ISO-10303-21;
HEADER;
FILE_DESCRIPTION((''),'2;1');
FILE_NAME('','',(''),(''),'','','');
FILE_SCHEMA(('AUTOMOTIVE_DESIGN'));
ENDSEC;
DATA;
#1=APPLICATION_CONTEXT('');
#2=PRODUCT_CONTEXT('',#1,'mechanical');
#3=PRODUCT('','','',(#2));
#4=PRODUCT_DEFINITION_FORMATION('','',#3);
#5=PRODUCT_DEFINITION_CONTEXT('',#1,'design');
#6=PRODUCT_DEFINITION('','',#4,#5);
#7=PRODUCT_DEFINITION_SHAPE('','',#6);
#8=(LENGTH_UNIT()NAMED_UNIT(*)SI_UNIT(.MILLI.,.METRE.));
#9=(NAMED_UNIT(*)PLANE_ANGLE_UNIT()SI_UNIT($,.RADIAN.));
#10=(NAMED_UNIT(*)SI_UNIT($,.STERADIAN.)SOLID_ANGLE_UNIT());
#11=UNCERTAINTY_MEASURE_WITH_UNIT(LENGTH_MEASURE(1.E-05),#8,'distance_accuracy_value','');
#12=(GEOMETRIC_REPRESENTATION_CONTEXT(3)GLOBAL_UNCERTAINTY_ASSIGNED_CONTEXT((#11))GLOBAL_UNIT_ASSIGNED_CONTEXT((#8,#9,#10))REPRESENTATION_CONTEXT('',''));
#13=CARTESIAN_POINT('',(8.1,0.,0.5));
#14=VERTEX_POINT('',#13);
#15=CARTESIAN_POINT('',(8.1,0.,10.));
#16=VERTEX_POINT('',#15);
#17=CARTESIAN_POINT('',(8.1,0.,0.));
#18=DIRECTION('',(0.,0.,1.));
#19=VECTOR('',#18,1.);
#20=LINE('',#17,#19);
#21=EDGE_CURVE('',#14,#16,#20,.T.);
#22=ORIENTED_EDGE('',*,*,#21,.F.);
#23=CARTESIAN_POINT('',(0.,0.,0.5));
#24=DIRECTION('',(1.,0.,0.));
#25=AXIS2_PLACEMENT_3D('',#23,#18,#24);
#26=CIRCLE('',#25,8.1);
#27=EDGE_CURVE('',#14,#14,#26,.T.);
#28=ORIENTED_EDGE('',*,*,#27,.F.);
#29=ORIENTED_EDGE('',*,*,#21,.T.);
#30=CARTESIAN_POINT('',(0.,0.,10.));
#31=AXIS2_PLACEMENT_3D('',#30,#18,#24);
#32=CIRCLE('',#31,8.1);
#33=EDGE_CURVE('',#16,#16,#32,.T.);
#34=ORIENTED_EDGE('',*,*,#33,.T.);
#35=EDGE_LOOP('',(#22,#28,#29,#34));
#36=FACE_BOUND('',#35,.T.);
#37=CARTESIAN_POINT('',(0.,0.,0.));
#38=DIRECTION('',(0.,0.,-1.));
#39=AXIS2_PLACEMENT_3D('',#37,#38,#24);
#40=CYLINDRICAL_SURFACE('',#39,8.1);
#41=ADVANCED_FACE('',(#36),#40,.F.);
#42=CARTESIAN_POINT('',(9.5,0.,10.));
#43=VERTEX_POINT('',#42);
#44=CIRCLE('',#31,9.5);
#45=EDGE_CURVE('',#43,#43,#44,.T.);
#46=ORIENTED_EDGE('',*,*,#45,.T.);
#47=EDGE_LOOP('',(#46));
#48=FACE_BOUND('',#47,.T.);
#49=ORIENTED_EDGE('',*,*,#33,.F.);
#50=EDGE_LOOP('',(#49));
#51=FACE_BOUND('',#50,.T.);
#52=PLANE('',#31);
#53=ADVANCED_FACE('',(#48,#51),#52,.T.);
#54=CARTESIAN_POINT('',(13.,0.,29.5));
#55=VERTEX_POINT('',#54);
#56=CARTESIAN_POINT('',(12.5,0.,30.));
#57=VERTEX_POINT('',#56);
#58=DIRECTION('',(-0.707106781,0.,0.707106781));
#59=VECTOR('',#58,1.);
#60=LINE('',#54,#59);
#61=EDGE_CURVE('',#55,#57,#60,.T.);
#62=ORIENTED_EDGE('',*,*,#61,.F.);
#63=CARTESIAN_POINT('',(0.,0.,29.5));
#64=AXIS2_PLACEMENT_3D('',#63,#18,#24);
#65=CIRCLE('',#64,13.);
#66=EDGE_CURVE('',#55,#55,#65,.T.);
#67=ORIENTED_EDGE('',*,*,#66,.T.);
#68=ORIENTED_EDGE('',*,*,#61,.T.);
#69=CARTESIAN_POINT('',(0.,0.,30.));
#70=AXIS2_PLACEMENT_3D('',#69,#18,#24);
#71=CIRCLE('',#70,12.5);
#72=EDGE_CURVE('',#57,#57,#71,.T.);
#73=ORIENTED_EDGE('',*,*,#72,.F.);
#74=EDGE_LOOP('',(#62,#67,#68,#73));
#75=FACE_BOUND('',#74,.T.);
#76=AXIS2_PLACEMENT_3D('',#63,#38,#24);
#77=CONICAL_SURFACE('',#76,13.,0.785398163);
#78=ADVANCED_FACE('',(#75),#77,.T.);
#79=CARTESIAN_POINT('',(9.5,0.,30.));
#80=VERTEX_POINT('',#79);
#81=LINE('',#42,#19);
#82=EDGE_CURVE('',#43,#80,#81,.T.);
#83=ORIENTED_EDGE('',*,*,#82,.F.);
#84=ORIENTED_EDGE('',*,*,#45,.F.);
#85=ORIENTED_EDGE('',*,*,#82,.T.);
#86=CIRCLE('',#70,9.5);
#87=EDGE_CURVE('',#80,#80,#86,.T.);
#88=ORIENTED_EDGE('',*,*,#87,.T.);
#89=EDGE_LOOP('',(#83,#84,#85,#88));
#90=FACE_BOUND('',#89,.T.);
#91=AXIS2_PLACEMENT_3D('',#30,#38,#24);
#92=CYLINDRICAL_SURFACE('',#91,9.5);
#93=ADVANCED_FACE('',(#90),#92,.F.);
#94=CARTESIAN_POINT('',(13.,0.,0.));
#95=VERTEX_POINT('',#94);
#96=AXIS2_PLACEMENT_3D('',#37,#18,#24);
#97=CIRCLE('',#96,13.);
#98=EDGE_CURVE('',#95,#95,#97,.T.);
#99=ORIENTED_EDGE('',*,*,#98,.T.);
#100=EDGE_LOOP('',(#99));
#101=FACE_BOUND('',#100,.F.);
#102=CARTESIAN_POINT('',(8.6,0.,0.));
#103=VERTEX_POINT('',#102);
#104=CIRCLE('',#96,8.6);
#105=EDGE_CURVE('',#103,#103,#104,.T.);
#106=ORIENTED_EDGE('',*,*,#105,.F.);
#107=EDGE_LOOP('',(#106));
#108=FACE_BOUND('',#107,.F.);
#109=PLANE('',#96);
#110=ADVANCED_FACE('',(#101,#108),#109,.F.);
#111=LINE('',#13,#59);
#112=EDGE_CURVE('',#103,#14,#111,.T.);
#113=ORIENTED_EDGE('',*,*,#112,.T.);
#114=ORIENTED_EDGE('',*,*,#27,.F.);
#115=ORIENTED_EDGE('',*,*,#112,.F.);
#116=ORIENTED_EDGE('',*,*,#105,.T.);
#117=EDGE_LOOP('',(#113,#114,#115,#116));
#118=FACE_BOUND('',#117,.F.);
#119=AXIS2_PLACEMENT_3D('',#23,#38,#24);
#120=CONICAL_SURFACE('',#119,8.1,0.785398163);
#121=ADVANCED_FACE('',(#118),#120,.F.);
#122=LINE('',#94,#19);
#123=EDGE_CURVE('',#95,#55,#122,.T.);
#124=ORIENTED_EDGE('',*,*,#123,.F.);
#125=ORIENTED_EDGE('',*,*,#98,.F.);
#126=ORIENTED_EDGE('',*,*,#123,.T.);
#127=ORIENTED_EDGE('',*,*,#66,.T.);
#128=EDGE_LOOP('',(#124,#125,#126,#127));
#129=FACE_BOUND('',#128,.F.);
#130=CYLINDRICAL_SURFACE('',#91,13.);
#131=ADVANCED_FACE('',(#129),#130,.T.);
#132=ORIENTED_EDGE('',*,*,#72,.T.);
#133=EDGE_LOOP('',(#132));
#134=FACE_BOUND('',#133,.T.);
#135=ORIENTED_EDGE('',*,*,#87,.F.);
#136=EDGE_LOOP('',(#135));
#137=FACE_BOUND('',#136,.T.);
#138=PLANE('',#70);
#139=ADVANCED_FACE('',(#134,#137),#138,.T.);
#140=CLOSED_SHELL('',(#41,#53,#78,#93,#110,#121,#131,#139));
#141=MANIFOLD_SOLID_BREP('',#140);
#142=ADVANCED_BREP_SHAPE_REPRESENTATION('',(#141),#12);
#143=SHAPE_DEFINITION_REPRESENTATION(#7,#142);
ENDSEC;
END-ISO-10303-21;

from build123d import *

# Parameters (mm, degrees)
SKETCH_R        = 13
SKETCH_R_2      = 8.1
PAD_DEPTH       = 10
SKETCH001_R     = 13
SKETCH001_R_2   = 9.5
PAD001_DEPTH    = 20
CHAMFER_SIZE    = 0.5
CHAMFER001_SIZE = 0.5


with BuildPart() as part:
    # Sketch → Pad (new body)
    with BuildSketch(Plane.XY):
        Circle(SKETCH_R)
        Circle(SKETCH_R_2, mode=Mode.SUBTRACT)
    extrude(amount=PAD_DEPTH)

    # Sketch001 (on Face4 of Pad) → Pad001 (join)
    with BuildSketch(Plane.XY.offset(10)):
        Circle(SKETCH001_R)
        Circle(SKETCH001_R_2, mode=Mode.SUBTRACT)
    extrude(amount=PAD001_DEPTH)

    # Chamfer
    chamfer_edges = [part.edges().sort_by_distance(p)[0] for p in [
        (-8.1, 0, 0),
    ]]
    chamfer(chamfer_edges, length=CHAMFER_SIZE)

    # Chamfer001
    chamfer001_edges = [part.edges().sort_by_distance(p)[0] for p in [
        (-13, 0, 30),
    ]]
    chamfer(chamfer001_edges, length=CHAMFER001_SIZE)


solid = part.part
